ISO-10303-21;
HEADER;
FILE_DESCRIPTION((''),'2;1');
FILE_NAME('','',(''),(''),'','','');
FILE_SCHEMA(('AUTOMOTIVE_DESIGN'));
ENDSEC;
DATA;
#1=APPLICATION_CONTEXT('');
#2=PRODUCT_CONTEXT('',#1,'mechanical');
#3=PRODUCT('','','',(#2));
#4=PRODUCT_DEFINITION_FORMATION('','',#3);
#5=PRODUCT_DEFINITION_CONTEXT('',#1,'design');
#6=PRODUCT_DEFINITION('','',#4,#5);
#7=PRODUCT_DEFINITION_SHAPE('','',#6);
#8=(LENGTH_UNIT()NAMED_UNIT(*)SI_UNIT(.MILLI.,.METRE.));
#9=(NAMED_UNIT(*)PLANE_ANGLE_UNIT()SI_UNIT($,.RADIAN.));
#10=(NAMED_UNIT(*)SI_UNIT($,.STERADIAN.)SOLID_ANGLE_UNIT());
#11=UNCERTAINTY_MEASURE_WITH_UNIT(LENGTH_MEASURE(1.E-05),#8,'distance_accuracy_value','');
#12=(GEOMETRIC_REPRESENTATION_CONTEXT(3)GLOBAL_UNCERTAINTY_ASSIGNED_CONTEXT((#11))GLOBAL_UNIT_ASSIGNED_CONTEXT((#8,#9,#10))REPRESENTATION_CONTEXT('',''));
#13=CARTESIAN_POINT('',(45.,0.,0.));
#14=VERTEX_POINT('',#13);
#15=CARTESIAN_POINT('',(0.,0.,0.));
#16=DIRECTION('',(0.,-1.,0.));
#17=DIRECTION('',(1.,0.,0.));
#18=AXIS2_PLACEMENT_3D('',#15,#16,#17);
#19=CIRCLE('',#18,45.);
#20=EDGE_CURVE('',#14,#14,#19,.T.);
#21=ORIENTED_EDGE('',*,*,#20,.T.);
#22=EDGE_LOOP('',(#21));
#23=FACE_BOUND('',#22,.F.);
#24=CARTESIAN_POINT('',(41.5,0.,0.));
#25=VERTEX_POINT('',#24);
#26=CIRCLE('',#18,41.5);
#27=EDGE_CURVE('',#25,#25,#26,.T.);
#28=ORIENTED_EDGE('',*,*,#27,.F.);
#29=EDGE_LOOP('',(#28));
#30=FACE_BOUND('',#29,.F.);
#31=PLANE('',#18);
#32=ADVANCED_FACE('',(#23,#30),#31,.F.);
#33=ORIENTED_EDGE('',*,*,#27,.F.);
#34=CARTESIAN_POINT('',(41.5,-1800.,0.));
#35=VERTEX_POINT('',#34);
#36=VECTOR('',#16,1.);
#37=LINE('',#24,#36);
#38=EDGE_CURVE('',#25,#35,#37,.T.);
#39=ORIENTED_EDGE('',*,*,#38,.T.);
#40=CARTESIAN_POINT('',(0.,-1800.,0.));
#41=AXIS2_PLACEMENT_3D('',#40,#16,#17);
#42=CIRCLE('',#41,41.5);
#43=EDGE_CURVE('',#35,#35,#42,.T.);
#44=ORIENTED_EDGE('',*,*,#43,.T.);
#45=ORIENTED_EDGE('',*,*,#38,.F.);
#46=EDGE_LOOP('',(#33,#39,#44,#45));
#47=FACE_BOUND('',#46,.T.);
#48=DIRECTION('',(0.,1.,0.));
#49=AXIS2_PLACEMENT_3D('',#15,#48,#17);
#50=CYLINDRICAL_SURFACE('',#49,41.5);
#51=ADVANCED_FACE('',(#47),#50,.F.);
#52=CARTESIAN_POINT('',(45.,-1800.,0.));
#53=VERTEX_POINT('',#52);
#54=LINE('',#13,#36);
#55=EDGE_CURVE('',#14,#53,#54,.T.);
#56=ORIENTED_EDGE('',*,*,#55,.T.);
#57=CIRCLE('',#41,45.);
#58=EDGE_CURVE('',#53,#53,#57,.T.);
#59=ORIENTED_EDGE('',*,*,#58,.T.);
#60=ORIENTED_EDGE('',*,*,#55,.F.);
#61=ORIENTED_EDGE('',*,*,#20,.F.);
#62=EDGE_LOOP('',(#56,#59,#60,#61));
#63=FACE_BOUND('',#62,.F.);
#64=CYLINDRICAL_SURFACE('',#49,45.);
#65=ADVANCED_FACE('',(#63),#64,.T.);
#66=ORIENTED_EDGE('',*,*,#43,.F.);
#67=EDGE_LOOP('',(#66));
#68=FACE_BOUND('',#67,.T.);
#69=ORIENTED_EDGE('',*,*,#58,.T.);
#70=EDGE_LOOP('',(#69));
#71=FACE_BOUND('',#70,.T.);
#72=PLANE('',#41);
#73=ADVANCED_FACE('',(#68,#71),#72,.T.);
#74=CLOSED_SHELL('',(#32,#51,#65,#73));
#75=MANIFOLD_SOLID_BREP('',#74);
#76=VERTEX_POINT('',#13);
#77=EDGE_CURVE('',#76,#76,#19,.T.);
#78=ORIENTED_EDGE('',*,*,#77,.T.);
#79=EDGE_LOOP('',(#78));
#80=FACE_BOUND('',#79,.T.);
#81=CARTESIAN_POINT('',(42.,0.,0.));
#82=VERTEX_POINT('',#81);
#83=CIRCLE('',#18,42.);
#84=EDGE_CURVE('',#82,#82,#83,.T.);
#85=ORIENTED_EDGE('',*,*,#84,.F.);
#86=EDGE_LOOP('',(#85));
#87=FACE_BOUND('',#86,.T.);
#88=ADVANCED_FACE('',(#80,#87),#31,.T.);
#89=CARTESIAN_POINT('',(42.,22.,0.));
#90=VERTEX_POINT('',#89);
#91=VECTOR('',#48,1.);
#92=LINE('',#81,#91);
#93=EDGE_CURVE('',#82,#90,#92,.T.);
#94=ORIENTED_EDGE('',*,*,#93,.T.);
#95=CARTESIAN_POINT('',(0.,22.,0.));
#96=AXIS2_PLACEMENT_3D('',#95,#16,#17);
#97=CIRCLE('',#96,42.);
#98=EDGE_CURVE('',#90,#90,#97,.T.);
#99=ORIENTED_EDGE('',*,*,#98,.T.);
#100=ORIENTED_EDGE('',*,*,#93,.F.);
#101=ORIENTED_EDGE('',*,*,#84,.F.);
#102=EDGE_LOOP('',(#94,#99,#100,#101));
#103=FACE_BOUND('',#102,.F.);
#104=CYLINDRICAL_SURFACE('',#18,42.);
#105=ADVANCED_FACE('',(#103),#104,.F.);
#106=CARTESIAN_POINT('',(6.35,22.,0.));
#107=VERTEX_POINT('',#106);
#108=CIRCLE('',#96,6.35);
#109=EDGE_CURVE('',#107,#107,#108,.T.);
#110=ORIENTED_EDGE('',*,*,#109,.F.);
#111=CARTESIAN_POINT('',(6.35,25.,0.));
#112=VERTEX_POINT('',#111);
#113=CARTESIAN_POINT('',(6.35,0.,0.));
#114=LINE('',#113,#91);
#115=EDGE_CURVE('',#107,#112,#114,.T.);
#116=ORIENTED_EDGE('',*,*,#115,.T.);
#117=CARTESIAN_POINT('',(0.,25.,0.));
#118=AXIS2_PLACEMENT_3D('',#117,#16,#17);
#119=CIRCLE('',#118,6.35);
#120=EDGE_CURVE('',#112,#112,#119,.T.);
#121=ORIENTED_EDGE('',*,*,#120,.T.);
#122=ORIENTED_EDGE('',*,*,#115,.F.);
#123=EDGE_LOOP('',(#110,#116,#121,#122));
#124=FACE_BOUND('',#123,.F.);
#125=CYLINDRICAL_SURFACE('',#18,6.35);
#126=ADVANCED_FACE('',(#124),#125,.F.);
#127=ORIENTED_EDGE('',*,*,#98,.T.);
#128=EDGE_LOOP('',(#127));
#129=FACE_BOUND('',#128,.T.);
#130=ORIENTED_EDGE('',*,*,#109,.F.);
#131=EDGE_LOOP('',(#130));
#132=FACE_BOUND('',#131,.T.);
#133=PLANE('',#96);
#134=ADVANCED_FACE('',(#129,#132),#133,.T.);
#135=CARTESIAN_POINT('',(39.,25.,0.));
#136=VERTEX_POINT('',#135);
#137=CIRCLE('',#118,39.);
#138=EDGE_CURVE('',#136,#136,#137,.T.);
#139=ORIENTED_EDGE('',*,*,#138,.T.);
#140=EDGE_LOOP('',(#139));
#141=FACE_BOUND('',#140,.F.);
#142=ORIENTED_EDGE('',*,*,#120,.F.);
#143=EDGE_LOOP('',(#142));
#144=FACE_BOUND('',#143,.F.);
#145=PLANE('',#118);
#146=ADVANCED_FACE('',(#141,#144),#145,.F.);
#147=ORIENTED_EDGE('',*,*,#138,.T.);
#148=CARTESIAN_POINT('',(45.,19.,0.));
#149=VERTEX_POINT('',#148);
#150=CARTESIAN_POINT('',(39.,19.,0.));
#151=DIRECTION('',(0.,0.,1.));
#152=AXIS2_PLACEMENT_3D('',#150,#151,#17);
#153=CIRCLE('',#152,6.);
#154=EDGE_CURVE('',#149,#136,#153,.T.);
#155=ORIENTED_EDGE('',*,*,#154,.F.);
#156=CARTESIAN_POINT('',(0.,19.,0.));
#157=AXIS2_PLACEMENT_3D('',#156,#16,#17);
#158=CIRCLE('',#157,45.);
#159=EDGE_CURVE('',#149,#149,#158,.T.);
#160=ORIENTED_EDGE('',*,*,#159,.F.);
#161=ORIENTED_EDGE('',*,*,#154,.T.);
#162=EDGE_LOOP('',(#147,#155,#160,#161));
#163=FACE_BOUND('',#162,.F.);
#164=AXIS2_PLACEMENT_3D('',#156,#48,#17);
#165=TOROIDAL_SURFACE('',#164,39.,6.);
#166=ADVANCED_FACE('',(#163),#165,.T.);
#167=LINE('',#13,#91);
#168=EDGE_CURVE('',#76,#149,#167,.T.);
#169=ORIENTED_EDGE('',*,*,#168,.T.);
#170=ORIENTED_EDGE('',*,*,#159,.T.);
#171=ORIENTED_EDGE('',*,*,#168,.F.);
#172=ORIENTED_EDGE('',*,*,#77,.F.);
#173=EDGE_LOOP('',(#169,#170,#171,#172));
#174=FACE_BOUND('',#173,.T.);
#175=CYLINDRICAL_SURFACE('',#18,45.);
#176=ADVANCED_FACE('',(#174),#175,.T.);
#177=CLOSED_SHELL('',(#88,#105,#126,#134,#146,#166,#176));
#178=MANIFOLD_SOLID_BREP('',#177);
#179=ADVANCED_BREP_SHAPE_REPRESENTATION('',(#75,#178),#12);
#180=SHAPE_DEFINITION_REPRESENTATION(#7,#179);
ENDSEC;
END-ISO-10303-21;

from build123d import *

# Parameters (mm, degrees)
F0_R     = 45
F0_R_2   = 41.5
F1_DEPTH = 1800
F2_R     = 45
F2_R_2   = 42
F2_R_3   = 6.35
F3_DEPTH = 25
F4_DEPTH = 22
F5_R     = 6
F6_DEPTH = 26


with BuildPart() as f1:
    # F0 (on Front) → F1 (new body)
    with BuildSketch(Plane.XZ):
        Circle(F0_R)
        Circle(F0_R_2, mode=Mode.SUBTRACT)
    extrude(amount=F1_DEPTH)

    # F2 (on Front) → F6 (cut)
    with BuildSketch(Plane.XZ):
        Circle(F2_R_3)
    extrude(amount=-F6_DEPTH, mode=Mode.SUBTRACT)


with BuildPart() as f3:
    # F2 (on Front) → F3 (new body)
    with BuildSketch(Plane.XZ):
        Circle(F2_R)
        Circle(F2_R_2, mode=Mode.SUBTRACT)
        Circle(F2_R_2)
        Circle(F2_R_3, mode=Mode.SUBTRACT)
    extrude(amount=-F3_DEPTH)

    # F2 (on Front) → F4 (cut)
    with BuildSketch(Plane.XZ):
        Circle(F2_R_2)
        Circle(F2_R_3, mode=Mode.SUBTRACT)
    extrude(amount=-F4_DEPTH, mode=Mode.SUBTRACT)

    # F5
    f5_edges = [f3.edges().sort_by_distance(p)[0] for p in [
        (-45, 25, 0),
    ]]
    fillet(f5_edges, radius=F5_R)


solid = Compound([f1.part, f3.part])
